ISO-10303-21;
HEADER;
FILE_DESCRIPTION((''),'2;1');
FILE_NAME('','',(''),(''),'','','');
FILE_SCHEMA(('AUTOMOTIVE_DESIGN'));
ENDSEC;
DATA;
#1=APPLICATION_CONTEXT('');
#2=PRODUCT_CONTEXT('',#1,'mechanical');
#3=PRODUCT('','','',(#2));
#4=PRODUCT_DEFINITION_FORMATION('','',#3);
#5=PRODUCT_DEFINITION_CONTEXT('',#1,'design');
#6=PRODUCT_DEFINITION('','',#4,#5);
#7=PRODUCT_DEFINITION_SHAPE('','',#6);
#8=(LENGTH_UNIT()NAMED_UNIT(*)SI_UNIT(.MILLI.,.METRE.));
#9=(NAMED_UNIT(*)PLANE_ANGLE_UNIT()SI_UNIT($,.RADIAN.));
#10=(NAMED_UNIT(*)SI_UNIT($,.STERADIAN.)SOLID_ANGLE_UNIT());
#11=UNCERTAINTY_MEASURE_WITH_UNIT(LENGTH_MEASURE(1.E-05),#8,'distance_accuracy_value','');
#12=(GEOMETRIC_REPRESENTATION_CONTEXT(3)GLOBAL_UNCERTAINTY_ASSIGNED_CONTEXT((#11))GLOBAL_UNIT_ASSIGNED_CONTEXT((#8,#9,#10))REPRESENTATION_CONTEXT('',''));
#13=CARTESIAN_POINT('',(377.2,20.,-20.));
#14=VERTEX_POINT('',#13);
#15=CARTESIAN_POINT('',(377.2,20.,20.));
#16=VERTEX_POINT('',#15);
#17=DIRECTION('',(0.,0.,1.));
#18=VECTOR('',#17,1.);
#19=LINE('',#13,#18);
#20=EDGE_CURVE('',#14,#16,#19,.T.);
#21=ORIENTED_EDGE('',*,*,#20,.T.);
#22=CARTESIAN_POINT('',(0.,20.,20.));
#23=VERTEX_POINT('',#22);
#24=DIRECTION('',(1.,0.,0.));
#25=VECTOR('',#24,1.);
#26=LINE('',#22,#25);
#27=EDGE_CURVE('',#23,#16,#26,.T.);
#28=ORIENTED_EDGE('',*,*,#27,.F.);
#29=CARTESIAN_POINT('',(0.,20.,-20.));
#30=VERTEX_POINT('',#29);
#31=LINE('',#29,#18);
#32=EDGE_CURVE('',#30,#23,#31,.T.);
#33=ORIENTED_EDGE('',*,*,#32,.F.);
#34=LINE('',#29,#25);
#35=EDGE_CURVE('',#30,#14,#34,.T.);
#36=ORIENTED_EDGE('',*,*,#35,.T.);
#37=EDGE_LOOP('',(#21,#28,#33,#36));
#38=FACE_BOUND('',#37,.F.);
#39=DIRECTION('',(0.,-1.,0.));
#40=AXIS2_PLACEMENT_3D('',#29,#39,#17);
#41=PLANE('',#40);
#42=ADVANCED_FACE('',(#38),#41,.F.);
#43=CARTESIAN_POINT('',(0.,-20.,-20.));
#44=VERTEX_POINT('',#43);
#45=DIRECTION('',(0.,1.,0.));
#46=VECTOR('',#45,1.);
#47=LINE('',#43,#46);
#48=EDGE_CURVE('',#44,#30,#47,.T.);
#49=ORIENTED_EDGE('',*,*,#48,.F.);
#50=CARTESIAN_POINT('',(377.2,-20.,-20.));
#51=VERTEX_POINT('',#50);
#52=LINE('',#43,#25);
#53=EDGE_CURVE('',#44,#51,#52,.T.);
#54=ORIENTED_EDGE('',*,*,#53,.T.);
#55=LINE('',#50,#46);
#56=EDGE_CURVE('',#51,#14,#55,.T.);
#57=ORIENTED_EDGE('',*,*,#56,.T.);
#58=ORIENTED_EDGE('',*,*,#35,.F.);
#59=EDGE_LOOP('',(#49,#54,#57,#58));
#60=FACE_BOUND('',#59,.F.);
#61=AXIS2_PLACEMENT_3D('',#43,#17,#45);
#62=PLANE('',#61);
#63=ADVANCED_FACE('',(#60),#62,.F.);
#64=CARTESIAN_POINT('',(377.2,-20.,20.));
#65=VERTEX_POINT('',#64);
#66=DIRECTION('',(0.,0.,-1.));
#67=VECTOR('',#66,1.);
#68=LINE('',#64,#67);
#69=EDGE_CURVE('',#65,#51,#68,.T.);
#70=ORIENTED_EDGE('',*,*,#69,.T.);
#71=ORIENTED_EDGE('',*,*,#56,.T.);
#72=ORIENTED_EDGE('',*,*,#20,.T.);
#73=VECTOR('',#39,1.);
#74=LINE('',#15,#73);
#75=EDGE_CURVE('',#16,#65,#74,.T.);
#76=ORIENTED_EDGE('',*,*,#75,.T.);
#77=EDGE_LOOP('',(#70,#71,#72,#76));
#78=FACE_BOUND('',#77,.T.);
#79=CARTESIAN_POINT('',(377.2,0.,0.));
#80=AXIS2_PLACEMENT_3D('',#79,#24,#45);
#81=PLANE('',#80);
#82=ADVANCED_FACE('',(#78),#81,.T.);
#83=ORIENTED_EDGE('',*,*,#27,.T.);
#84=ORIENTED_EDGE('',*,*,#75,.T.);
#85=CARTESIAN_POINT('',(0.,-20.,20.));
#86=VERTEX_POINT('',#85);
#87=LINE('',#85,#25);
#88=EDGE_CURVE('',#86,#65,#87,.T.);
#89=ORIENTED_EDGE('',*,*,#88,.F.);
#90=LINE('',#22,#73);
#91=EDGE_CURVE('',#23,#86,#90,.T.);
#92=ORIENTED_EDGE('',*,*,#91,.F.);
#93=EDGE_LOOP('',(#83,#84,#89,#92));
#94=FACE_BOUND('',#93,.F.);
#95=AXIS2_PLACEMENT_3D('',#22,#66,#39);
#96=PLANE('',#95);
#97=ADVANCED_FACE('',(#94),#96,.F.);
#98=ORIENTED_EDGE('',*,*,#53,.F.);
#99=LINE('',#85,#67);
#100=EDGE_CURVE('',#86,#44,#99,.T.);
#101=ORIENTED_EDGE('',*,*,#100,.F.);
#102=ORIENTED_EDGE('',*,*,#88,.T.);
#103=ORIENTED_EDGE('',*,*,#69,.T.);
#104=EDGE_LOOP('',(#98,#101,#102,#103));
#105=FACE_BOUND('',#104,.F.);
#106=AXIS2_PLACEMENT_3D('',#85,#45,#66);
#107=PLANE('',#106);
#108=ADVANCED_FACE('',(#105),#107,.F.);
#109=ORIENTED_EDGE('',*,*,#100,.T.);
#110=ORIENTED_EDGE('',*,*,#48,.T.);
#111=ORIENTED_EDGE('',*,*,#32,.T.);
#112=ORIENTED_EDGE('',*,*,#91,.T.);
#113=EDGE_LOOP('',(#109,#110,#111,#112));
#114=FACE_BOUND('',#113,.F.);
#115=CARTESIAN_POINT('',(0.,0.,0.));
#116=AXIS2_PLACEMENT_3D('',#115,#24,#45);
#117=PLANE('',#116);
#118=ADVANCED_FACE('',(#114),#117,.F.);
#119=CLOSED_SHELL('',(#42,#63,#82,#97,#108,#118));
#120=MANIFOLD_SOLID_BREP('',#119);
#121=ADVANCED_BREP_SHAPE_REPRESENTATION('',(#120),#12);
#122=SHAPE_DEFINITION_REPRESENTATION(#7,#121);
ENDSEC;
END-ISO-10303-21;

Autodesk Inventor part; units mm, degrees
ref_plane "YZ Plane" through (0, 0, 0) normal (1, 0, 0) x (0, 1, 0)
ref_plane "XZ Plane" through (0, 0, 0) normal (0, 1, 0) x (-1, 0, 0)
ref_plane "XY Plane" through (0, 0, 0) normal (0, 0, 1) x (1, 0, 0)
sketch "Sketch1" plane through (0, 0, 0) normal (1, 0, 0) x (0, 1, 0)
  line L0 (20, 20) -> (-20, 20)
  line L1 (-20, 20) -> (-20, -20)
  line L2 (-20, -20) -> (20, -20)
  line L3 (20, -20) -> (20, 20)
  point P0 (0, 0)
  dimension "d0" = 40
  dimension "d1" = 20
  dimension "d2" = 20
extrude "Extrusion1" add sketch "Sketch1" along normal blind 377.2
equation "\"d1\" = 0.5 * d0"
equation "\"d2\" = d1"
